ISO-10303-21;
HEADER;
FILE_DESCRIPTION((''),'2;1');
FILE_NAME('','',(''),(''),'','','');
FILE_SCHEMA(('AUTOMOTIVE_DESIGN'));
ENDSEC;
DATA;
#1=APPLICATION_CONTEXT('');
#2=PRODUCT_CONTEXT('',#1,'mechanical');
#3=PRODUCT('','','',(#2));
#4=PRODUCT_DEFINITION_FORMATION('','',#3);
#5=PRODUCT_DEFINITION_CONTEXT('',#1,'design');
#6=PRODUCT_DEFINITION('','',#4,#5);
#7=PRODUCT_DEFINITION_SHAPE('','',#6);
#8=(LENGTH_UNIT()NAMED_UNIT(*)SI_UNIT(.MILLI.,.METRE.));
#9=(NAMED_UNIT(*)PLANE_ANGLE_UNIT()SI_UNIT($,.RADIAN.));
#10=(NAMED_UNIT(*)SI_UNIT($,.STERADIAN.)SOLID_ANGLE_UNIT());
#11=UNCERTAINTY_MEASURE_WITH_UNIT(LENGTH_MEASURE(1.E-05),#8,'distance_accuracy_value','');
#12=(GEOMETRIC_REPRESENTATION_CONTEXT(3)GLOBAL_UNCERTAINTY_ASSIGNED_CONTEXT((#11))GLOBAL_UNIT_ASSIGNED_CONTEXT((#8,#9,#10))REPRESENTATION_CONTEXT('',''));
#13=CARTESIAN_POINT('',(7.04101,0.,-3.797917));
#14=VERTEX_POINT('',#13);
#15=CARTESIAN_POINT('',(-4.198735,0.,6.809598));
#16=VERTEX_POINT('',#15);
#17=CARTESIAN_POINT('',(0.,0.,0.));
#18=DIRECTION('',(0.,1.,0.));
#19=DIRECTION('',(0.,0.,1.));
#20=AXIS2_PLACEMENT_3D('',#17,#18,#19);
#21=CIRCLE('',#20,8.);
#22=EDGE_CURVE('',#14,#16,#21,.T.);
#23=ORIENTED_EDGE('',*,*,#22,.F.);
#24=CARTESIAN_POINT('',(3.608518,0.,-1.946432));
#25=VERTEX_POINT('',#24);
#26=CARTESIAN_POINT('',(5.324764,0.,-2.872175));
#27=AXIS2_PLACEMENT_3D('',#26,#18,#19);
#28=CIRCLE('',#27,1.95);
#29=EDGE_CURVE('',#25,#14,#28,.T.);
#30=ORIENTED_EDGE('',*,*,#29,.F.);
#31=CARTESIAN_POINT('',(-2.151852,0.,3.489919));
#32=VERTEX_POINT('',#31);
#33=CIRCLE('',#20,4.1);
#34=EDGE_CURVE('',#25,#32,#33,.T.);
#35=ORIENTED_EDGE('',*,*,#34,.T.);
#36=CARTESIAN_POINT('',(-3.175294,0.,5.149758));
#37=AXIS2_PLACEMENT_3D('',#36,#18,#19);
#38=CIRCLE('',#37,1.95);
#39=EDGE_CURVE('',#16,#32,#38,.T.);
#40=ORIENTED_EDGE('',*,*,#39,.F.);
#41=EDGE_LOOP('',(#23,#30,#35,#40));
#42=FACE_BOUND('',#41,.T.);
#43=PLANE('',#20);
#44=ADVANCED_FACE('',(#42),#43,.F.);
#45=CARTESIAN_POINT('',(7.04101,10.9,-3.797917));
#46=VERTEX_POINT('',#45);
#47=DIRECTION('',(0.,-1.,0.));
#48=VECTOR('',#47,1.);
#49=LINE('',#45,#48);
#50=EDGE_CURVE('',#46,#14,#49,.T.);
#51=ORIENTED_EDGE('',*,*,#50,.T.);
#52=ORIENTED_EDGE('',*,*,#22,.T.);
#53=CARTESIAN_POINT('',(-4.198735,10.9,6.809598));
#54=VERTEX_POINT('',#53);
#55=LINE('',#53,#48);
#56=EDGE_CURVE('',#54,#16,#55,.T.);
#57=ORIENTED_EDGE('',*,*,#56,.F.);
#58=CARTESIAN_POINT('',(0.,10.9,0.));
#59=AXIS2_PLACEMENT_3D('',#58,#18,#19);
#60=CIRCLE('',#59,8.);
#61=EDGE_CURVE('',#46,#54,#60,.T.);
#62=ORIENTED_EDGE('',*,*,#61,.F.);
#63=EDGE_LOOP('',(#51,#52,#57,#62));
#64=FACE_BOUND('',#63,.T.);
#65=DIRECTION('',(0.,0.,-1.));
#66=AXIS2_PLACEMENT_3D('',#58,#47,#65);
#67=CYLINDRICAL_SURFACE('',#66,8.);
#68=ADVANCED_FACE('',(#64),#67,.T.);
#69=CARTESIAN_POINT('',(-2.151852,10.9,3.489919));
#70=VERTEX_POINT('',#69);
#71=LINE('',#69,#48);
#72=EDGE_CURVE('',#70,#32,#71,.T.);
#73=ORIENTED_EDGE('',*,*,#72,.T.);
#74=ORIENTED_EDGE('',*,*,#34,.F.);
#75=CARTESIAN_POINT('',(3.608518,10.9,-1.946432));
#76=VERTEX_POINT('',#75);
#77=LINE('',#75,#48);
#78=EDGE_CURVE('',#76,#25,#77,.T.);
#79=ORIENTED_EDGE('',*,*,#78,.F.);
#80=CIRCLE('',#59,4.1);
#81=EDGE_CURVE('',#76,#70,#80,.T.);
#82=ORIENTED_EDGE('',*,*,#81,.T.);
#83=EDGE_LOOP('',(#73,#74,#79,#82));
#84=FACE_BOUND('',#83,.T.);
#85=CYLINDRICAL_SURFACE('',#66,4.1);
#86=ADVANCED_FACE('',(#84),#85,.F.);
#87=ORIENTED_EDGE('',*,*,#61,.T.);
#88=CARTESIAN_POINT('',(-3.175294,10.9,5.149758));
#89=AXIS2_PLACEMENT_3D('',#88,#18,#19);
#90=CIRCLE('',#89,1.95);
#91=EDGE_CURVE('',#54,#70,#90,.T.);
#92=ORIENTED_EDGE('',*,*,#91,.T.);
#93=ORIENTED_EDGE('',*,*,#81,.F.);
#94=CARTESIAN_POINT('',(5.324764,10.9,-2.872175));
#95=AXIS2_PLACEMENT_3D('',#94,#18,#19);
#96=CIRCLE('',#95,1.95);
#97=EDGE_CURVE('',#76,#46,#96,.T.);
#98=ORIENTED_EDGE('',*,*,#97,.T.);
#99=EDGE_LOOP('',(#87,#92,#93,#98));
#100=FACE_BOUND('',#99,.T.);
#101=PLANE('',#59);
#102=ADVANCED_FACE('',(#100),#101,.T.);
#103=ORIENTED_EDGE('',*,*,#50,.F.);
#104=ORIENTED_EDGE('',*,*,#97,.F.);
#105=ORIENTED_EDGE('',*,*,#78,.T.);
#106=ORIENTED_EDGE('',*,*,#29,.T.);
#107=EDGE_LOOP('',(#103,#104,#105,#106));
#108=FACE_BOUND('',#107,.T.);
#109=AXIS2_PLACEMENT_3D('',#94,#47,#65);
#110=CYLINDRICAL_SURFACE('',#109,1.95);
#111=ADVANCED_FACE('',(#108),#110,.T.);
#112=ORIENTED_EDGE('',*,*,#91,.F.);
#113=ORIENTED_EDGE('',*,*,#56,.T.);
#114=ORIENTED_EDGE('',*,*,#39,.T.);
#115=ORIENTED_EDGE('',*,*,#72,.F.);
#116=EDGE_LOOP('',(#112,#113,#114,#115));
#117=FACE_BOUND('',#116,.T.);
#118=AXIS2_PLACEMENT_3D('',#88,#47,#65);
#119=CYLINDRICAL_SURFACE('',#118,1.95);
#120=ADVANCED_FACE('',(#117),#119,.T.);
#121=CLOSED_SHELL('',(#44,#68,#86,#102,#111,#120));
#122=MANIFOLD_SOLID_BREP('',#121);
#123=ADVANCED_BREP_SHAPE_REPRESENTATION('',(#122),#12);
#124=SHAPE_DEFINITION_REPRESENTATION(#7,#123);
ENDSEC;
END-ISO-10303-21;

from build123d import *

# Parameters (mm, degrees)
ESTRUSIONE_ESTRUSIONE1_DEPTH = 10.9


with BuildPart() as part:
    # Schizzo1 → Estrusione-Estrusione1 (new body)
    with BuildSketch(Plane(origin=(0, 0, 0), x_dir=(1, 0, 0), z_dir=(0, 1, 0))):
        with BuildLine():
            ThreePointArc((-2.151851846, -3.489918858), (-2.814062516, 2.981786738), (3.608517792, 1.946432465))
            ThreePointArc((3.608517792, 1.946432465), (4.39902179, 4.588421002), (7.041010327, 3.797917005))
            ThreePointArc((7.041010327, 3.797917005), (-5.49085365, 5.818120504), (-4.198735404, -6.809597712))
            ThreePointArc((-4.198735404, -6.809597712), (-4.835133005, -4.126316535), (-2.151851846, -3.489918858))
        make_face()
        with BuildLine():
            ThreePointArc((-1.225293577, -5.149758315), (-1.47261754, -4.199287741), (-2.151851846, -3.489918858))
            ThreePointArc((-2.151851846, -3.489918858), (-4.835133005, -4.126316535), (-4.198735404, -6.809597712))
            ThreePointArc((-4.198735404, -6.809597712), (-2.224823052, -6.852434379), (-1.225293577, -5.149758315))
        make_face()
        with BuildLine():
            ThreePointArc((7.041010327, 3.797917005), (4.39902179, 4.588421002), (3.608517792, 1.946432465))
            ThreePointArc((3.608517792, 1.946432465), (5.802163148, 0.981516091), (7.27476406, 2.872174735))
            ThreePointArc((7.27476406, 2.872174735), (7.215422704, 3.349573823), (7.041010327, 3.797917005))
        make_face()
    extrude(amount=ESTRUSIONE_ESTRUSIONE1_DEPTH)


solid = part.part
